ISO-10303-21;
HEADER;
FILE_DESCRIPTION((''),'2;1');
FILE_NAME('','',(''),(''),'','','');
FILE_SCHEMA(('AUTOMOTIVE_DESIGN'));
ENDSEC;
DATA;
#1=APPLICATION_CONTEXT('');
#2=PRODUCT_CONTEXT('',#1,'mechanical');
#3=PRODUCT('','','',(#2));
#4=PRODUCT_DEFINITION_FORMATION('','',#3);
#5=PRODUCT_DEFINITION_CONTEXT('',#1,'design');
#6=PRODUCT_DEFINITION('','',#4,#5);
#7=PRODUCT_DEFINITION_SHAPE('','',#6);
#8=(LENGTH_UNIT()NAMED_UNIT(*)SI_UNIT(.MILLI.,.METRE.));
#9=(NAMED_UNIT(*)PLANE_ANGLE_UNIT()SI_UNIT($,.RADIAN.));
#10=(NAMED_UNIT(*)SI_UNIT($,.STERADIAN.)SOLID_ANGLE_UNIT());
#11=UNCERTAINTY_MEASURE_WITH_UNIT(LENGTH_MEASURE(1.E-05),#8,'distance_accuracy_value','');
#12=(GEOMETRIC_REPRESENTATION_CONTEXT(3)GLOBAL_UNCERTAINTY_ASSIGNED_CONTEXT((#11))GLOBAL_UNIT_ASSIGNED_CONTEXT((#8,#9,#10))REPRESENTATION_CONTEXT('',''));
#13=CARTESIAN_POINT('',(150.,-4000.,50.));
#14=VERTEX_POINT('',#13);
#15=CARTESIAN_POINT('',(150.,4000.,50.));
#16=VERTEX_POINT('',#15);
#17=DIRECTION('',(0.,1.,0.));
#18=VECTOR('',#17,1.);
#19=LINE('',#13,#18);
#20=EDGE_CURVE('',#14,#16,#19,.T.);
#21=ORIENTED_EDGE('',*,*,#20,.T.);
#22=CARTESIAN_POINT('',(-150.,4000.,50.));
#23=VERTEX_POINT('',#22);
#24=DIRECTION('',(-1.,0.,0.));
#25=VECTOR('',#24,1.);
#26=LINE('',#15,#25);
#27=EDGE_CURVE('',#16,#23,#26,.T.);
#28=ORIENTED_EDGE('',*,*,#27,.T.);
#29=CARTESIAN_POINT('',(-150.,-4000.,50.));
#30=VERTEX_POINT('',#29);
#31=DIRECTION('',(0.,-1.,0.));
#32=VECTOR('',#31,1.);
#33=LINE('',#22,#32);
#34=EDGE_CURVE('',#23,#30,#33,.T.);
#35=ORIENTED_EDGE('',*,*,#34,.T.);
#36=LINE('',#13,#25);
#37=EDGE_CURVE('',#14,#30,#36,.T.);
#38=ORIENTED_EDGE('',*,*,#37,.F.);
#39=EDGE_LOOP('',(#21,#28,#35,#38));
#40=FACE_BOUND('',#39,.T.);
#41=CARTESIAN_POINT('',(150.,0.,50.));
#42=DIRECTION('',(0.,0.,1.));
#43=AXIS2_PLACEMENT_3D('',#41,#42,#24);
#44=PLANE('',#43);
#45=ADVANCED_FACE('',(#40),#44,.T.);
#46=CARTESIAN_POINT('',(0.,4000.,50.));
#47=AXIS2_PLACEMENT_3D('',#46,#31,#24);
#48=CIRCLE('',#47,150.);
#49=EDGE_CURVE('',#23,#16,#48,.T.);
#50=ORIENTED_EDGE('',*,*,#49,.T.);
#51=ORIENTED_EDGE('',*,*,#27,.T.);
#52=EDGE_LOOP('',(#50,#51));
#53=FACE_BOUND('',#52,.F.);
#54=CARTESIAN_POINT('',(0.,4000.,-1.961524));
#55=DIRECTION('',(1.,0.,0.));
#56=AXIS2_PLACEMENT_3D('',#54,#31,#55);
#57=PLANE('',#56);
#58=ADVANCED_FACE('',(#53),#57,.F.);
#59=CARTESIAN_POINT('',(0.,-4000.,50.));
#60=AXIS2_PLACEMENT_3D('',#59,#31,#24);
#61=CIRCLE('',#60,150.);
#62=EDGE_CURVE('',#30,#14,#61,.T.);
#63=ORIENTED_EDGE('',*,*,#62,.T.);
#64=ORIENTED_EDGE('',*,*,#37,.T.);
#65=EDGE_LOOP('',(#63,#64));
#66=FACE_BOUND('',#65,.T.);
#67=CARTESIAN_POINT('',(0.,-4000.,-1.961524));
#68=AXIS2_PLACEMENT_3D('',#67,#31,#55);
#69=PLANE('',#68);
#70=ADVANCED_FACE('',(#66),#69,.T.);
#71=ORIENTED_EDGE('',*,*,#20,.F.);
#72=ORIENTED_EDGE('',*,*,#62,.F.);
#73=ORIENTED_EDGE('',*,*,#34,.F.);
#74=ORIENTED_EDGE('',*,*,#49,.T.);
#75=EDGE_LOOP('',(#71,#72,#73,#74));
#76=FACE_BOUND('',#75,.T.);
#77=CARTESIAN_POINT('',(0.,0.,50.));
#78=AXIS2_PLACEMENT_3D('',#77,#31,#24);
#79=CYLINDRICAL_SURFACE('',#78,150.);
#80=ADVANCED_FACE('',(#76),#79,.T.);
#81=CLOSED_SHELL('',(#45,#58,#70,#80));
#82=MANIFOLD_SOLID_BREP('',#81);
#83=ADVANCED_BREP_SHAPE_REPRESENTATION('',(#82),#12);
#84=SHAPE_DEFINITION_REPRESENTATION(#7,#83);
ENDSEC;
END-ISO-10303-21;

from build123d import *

# Parameters (mm, degrees)
F1_DEPTH      = 4000
F1_DEPTH_BACK = 4000


with BuildPart() as f1:
    # F0 (on Front) → F1 (new body, two sides)
    with BuildSketch(Plane.XZ) as f1_sk:
        with BuildLine():
            Line((150, 50), (-150, 50))
            ThreePointArc((-150, 50), (0, -100), (150, 50))
        make_face()
    extrude(amount=F1_DEPTH)
    extrude(f1_sk.sketch, amount=-F1_DEPTH_BACK)


solid = f1.part
